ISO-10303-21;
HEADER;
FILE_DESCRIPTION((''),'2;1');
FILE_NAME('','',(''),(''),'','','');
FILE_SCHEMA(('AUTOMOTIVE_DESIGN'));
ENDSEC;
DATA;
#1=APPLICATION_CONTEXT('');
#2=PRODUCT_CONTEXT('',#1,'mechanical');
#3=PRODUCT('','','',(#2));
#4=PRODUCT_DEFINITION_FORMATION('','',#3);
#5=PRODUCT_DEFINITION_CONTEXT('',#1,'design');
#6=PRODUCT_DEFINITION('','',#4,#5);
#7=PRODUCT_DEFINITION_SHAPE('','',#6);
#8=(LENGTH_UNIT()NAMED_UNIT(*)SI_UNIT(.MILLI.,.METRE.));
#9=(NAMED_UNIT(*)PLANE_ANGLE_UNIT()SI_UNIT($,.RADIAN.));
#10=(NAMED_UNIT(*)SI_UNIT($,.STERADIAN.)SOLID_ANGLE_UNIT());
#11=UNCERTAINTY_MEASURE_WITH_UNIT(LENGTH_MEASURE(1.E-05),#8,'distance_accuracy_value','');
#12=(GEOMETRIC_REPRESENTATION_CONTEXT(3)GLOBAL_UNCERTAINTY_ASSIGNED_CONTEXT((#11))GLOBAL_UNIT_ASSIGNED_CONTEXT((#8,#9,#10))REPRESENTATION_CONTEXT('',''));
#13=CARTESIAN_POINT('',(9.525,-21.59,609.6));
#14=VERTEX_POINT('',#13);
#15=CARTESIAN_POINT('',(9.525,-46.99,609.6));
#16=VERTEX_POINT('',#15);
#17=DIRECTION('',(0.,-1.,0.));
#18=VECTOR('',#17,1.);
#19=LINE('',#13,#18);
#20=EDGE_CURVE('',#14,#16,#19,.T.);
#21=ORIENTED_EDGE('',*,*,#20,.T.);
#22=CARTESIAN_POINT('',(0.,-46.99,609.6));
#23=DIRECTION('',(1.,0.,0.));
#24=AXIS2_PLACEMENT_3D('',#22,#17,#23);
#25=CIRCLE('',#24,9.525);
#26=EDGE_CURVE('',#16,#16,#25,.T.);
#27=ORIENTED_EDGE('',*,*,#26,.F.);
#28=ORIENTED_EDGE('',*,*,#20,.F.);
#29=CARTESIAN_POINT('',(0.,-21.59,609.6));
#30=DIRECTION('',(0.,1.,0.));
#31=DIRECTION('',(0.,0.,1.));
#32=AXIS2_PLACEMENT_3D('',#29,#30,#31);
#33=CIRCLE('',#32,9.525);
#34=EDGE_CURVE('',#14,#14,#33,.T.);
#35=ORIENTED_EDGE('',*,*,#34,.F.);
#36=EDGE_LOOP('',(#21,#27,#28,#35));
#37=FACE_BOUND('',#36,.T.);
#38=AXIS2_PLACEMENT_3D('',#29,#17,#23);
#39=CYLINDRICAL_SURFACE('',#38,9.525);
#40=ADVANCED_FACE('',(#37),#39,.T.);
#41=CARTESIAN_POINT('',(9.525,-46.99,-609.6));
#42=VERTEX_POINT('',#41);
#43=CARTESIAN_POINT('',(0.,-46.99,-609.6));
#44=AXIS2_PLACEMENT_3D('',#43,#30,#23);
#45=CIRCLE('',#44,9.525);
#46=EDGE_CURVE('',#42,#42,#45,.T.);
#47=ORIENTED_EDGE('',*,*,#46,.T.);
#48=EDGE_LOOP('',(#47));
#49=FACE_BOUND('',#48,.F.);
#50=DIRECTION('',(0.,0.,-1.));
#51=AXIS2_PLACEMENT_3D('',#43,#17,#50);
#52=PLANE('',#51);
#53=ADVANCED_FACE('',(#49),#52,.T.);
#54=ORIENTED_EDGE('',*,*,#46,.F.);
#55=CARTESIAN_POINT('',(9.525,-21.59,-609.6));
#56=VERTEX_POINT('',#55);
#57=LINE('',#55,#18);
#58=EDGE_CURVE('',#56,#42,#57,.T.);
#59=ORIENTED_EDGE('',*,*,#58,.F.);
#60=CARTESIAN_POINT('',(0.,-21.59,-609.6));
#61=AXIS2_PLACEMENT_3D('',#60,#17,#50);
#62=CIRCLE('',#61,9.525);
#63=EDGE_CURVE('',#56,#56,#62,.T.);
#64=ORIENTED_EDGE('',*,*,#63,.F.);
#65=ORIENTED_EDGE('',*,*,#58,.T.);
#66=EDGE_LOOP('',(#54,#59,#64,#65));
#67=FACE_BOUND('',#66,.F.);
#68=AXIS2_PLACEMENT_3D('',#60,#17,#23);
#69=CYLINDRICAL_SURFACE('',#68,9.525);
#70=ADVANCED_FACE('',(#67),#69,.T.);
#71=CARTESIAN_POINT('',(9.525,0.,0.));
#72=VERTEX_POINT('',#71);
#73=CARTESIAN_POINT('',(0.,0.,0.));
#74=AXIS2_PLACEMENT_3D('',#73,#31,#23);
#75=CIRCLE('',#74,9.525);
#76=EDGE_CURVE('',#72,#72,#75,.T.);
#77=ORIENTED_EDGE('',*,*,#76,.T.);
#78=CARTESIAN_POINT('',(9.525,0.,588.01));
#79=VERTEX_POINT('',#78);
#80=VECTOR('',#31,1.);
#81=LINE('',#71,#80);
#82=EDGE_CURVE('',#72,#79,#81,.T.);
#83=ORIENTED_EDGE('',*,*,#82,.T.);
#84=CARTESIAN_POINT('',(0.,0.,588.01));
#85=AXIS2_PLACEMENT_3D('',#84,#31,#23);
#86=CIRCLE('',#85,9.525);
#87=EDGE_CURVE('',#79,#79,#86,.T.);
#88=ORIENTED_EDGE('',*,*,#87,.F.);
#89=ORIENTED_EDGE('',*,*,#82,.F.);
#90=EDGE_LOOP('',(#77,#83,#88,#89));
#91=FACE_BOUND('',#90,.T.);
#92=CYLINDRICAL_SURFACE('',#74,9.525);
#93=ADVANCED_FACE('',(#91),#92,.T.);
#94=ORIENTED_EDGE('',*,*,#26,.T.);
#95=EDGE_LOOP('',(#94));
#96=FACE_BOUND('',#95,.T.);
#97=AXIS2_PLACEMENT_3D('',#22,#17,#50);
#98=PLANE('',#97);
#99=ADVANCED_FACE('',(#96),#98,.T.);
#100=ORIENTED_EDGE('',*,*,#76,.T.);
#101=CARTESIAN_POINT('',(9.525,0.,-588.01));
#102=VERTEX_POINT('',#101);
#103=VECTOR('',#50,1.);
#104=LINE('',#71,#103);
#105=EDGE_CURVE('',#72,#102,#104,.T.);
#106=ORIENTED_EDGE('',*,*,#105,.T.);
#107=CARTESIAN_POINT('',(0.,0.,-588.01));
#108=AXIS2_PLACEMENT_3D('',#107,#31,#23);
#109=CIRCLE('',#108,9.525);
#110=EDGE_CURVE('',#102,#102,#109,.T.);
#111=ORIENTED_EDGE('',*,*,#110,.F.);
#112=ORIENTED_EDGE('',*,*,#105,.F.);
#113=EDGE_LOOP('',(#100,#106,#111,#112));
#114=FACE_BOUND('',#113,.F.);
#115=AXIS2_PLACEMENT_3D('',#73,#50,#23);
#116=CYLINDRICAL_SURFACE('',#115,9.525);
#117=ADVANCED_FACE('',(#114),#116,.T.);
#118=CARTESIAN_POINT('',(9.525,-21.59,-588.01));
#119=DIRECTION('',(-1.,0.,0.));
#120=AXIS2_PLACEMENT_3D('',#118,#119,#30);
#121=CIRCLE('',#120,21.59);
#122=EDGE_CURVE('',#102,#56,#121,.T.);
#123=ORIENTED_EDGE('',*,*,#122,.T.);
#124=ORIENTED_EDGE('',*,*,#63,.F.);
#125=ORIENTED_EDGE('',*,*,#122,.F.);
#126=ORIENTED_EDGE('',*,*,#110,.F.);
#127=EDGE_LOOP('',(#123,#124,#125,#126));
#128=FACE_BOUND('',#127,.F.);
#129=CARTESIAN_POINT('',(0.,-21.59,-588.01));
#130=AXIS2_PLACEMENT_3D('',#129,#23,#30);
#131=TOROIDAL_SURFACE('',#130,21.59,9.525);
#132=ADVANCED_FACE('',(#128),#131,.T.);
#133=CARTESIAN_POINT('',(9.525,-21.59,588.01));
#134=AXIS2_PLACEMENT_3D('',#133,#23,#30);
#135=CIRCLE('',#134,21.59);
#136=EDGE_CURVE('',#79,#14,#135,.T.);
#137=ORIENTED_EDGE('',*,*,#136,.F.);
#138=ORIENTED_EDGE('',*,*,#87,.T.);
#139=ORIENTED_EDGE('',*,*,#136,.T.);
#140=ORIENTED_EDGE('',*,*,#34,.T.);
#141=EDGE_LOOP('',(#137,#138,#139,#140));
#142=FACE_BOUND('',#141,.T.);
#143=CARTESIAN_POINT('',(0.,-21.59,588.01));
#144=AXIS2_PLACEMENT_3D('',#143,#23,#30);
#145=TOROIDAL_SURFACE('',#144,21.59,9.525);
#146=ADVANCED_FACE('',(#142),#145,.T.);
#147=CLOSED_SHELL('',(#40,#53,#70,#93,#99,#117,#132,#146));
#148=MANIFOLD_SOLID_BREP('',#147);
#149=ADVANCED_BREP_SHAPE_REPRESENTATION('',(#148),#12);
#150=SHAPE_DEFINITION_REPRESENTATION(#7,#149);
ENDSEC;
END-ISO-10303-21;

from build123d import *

# Parameters (mm, degrees)
F2_R = 9.525


with BuildPart() as f3:
    # F3: sweep along a path in F0
    with BuildLine(Plane.YZ) as f3_path:
        Line((0, 0), (0, 588.01))
        ThreePointArc((0, 588.01), (-6.3235645942, 603.2764354058), (-21.59, 609.6))
        Line((-21.59, 609.6), (-46.99, 609.6))
    # F2 (on offset) → F3 (sweep)
    with BuildSketch(Plane.XZ.offset(46.99)):
        with Locations((0, 609.6)):
            Circle(F2_R)
    sweep(path=f3_path.line)

    # F4: F3 across plane


with BuildPart() as f3_1:
    add(f3.part)
    add(f3.part.mirror(Plane.XY))


solid = f3_1.part
